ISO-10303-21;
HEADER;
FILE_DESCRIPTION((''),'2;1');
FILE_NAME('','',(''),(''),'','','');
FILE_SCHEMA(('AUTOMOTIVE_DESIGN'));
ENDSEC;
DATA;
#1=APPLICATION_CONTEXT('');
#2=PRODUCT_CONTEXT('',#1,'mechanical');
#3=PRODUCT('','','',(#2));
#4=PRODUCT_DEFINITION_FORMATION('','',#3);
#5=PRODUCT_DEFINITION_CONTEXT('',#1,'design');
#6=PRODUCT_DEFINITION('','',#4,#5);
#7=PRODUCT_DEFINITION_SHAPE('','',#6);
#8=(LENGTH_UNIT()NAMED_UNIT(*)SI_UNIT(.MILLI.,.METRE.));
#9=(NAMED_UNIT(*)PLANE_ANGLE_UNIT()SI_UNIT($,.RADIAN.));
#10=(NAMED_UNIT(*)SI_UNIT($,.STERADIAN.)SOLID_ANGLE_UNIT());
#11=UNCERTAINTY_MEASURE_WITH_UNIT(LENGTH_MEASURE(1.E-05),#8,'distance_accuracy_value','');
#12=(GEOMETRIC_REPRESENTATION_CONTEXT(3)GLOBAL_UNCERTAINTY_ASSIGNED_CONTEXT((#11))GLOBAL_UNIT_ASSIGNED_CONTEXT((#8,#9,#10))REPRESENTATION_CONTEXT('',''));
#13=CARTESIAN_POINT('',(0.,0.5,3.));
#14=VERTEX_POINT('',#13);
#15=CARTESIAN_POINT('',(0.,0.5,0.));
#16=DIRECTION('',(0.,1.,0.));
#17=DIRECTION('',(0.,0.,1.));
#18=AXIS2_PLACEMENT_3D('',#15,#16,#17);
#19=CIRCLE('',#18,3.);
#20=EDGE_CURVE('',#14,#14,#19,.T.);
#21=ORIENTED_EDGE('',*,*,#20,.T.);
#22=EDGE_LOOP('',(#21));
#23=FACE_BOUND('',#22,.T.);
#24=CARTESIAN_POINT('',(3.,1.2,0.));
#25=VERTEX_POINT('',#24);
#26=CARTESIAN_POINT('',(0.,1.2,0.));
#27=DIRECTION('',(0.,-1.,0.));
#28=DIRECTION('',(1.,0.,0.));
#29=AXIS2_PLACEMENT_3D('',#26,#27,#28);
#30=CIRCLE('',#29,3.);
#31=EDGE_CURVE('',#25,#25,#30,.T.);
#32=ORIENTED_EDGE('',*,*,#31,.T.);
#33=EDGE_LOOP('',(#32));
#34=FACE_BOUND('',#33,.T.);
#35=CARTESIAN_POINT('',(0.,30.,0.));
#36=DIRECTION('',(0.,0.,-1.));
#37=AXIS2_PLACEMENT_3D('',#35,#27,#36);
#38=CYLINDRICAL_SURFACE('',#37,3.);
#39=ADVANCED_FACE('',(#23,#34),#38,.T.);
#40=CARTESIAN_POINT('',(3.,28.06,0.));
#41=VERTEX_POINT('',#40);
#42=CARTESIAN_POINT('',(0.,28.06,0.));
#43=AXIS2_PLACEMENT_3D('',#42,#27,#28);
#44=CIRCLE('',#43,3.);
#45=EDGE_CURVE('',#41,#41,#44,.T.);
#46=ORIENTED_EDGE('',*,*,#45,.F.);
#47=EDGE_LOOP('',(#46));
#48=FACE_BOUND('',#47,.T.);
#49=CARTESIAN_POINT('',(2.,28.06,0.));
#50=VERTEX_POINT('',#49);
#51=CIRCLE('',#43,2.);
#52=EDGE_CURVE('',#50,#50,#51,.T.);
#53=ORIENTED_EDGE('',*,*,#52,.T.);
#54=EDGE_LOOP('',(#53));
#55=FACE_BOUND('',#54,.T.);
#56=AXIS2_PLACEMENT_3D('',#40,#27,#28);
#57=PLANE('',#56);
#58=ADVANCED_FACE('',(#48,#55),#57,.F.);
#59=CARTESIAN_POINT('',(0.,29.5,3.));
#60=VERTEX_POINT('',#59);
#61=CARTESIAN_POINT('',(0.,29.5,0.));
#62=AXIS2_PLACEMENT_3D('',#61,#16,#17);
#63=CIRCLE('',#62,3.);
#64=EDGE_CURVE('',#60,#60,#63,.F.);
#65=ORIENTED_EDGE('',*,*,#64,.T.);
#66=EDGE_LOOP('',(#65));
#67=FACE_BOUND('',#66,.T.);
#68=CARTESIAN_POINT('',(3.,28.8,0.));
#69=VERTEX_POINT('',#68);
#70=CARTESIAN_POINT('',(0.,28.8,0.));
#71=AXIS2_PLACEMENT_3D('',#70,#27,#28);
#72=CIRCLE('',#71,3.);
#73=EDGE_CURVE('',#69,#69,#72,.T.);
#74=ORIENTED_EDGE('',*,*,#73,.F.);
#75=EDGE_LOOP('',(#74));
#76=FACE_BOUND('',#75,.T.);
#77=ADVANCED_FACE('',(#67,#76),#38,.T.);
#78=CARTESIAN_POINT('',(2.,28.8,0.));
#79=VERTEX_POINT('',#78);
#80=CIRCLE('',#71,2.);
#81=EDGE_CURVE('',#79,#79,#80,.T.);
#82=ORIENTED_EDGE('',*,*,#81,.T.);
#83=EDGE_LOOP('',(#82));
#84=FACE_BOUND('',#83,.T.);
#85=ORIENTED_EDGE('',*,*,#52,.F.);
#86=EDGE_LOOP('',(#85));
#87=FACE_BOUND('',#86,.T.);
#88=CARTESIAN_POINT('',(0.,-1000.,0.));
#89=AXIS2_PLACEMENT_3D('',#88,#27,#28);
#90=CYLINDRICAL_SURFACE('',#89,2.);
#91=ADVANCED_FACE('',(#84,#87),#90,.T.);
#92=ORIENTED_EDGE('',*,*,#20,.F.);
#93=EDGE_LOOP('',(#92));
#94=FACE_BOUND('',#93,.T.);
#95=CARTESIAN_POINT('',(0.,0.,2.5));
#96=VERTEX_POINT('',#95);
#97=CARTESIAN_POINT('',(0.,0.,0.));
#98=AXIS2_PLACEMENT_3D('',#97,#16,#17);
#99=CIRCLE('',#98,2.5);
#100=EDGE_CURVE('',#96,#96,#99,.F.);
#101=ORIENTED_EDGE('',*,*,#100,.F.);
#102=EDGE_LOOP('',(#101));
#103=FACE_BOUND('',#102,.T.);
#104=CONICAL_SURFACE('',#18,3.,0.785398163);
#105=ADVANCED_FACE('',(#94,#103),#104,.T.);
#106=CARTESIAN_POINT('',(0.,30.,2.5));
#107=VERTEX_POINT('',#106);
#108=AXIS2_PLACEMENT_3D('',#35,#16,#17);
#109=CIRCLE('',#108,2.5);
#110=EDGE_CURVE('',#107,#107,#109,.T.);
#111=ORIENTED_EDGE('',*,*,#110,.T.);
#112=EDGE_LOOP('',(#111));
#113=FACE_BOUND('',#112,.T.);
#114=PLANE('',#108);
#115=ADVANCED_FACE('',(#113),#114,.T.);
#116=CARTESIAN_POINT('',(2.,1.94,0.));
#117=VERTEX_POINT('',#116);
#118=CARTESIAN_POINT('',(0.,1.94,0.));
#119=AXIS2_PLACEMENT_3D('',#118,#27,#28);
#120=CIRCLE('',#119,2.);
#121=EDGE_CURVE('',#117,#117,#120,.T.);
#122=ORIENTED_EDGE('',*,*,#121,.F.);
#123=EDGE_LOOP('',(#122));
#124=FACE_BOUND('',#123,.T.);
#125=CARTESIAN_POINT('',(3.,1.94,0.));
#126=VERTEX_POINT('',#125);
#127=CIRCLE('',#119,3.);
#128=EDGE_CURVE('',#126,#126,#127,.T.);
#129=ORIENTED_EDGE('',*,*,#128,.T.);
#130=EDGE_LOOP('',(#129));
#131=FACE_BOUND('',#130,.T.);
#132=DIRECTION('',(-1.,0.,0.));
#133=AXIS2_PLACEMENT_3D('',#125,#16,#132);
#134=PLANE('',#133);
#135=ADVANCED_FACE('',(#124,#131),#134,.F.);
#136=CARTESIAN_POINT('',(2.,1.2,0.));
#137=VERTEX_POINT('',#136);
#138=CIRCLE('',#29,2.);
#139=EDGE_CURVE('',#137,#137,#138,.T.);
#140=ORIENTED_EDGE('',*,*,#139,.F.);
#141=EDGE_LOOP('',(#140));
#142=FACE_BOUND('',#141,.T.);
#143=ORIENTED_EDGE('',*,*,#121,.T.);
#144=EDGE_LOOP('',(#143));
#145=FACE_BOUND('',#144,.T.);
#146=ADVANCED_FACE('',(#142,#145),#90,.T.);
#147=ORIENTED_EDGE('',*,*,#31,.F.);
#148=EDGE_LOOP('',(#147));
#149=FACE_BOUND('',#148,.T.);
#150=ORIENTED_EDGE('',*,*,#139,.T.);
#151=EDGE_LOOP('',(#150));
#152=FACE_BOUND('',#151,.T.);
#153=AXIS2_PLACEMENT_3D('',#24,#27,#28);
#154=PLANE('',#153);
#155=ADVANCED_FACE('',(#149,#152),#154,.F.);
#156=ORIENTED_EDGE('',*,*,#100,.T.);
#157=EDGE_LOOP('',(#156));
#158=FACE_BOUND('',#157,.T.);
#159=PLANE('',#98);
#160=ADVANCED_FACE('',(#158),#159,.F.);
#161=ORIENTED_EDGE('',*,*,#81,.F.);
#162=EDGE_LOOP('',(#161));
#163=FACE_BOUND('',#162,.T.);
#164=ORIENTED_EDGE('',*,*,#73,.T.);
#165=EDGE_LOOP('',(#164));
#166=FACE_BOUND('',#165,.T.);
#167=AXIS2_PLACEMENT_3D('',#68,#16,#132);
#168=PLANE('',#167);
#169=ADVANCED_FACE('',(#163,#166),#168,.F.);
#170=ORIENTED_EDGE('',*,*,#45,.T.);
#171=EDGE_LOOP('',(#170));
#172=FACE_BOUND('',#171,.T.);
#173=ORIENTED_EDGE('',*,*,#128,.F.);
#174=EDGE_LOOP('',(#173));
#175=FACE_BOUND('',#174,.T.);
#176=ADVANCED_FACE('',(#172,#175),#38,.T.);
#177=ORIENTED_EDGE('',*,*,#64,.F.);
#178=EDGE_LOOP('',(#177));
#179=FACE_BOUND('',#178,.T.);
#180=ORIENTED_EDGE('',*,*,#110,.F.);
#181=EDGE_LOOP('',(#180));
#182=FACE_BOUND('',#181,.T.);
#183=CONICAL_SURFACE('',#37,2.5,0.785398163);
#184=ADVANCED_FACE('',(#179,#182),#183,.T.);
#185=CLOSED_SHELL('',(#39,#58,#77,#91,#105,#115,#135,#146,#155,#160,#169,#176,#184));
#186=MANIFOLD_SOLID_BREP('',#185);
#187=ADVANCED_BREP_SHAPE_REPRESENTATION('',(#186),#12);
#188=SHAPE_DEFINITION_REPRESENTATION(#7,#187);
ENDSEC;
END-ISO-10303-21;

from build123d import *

# Parameters (mm, degrees)
SKETCH1_R           = 3
BOSS_EXTRUDE1_DEPTH = 30
SKETCH2_W           = 1
SKETCH2_H           = 0.74
CHAMFER1_SIZE       = 0.5


with BuildPart() as part:
    # Sketch1 → Boss-Extrude1 (new body)
    with BuildSketch(Plane(origin=(0, 0, 0), x_dir=(1, 0, 0), z_dir=(0, 1, 0))):
        with Locations(Location((0, 0, 0), (0, 0, 270))):
            Circle(SKETCH1_R)
    extrude(amount=BOSS_EXTRUDE1_DEPTH)

    # Sketch2 → Cut-Revolve1 (revolve, cut)
    with BuildSketch(Plane.XY):
        with Locations((2.5, 28.43)):
            Rectangle(SKETCH2_W, SKETCH2_H)
        with Locations((2.5, 1.57)):
            Rectangle(SKETCH2_W, SKETCH2_H)
    revolve(axis=Axis((0, -1000, 0), (0, 1, 0)), mode=Mode.SUBTRACT)

    # Chamfer1
    chamfer1_edges = [part.edges().sort_by_distance(p)[0] for p in [
        (0, 0, -3),
        (0, 30, -3),
    ]]
    chamfer(chamfer1_edges, length=CHAMFER1_SIZE)


solid = part.part
